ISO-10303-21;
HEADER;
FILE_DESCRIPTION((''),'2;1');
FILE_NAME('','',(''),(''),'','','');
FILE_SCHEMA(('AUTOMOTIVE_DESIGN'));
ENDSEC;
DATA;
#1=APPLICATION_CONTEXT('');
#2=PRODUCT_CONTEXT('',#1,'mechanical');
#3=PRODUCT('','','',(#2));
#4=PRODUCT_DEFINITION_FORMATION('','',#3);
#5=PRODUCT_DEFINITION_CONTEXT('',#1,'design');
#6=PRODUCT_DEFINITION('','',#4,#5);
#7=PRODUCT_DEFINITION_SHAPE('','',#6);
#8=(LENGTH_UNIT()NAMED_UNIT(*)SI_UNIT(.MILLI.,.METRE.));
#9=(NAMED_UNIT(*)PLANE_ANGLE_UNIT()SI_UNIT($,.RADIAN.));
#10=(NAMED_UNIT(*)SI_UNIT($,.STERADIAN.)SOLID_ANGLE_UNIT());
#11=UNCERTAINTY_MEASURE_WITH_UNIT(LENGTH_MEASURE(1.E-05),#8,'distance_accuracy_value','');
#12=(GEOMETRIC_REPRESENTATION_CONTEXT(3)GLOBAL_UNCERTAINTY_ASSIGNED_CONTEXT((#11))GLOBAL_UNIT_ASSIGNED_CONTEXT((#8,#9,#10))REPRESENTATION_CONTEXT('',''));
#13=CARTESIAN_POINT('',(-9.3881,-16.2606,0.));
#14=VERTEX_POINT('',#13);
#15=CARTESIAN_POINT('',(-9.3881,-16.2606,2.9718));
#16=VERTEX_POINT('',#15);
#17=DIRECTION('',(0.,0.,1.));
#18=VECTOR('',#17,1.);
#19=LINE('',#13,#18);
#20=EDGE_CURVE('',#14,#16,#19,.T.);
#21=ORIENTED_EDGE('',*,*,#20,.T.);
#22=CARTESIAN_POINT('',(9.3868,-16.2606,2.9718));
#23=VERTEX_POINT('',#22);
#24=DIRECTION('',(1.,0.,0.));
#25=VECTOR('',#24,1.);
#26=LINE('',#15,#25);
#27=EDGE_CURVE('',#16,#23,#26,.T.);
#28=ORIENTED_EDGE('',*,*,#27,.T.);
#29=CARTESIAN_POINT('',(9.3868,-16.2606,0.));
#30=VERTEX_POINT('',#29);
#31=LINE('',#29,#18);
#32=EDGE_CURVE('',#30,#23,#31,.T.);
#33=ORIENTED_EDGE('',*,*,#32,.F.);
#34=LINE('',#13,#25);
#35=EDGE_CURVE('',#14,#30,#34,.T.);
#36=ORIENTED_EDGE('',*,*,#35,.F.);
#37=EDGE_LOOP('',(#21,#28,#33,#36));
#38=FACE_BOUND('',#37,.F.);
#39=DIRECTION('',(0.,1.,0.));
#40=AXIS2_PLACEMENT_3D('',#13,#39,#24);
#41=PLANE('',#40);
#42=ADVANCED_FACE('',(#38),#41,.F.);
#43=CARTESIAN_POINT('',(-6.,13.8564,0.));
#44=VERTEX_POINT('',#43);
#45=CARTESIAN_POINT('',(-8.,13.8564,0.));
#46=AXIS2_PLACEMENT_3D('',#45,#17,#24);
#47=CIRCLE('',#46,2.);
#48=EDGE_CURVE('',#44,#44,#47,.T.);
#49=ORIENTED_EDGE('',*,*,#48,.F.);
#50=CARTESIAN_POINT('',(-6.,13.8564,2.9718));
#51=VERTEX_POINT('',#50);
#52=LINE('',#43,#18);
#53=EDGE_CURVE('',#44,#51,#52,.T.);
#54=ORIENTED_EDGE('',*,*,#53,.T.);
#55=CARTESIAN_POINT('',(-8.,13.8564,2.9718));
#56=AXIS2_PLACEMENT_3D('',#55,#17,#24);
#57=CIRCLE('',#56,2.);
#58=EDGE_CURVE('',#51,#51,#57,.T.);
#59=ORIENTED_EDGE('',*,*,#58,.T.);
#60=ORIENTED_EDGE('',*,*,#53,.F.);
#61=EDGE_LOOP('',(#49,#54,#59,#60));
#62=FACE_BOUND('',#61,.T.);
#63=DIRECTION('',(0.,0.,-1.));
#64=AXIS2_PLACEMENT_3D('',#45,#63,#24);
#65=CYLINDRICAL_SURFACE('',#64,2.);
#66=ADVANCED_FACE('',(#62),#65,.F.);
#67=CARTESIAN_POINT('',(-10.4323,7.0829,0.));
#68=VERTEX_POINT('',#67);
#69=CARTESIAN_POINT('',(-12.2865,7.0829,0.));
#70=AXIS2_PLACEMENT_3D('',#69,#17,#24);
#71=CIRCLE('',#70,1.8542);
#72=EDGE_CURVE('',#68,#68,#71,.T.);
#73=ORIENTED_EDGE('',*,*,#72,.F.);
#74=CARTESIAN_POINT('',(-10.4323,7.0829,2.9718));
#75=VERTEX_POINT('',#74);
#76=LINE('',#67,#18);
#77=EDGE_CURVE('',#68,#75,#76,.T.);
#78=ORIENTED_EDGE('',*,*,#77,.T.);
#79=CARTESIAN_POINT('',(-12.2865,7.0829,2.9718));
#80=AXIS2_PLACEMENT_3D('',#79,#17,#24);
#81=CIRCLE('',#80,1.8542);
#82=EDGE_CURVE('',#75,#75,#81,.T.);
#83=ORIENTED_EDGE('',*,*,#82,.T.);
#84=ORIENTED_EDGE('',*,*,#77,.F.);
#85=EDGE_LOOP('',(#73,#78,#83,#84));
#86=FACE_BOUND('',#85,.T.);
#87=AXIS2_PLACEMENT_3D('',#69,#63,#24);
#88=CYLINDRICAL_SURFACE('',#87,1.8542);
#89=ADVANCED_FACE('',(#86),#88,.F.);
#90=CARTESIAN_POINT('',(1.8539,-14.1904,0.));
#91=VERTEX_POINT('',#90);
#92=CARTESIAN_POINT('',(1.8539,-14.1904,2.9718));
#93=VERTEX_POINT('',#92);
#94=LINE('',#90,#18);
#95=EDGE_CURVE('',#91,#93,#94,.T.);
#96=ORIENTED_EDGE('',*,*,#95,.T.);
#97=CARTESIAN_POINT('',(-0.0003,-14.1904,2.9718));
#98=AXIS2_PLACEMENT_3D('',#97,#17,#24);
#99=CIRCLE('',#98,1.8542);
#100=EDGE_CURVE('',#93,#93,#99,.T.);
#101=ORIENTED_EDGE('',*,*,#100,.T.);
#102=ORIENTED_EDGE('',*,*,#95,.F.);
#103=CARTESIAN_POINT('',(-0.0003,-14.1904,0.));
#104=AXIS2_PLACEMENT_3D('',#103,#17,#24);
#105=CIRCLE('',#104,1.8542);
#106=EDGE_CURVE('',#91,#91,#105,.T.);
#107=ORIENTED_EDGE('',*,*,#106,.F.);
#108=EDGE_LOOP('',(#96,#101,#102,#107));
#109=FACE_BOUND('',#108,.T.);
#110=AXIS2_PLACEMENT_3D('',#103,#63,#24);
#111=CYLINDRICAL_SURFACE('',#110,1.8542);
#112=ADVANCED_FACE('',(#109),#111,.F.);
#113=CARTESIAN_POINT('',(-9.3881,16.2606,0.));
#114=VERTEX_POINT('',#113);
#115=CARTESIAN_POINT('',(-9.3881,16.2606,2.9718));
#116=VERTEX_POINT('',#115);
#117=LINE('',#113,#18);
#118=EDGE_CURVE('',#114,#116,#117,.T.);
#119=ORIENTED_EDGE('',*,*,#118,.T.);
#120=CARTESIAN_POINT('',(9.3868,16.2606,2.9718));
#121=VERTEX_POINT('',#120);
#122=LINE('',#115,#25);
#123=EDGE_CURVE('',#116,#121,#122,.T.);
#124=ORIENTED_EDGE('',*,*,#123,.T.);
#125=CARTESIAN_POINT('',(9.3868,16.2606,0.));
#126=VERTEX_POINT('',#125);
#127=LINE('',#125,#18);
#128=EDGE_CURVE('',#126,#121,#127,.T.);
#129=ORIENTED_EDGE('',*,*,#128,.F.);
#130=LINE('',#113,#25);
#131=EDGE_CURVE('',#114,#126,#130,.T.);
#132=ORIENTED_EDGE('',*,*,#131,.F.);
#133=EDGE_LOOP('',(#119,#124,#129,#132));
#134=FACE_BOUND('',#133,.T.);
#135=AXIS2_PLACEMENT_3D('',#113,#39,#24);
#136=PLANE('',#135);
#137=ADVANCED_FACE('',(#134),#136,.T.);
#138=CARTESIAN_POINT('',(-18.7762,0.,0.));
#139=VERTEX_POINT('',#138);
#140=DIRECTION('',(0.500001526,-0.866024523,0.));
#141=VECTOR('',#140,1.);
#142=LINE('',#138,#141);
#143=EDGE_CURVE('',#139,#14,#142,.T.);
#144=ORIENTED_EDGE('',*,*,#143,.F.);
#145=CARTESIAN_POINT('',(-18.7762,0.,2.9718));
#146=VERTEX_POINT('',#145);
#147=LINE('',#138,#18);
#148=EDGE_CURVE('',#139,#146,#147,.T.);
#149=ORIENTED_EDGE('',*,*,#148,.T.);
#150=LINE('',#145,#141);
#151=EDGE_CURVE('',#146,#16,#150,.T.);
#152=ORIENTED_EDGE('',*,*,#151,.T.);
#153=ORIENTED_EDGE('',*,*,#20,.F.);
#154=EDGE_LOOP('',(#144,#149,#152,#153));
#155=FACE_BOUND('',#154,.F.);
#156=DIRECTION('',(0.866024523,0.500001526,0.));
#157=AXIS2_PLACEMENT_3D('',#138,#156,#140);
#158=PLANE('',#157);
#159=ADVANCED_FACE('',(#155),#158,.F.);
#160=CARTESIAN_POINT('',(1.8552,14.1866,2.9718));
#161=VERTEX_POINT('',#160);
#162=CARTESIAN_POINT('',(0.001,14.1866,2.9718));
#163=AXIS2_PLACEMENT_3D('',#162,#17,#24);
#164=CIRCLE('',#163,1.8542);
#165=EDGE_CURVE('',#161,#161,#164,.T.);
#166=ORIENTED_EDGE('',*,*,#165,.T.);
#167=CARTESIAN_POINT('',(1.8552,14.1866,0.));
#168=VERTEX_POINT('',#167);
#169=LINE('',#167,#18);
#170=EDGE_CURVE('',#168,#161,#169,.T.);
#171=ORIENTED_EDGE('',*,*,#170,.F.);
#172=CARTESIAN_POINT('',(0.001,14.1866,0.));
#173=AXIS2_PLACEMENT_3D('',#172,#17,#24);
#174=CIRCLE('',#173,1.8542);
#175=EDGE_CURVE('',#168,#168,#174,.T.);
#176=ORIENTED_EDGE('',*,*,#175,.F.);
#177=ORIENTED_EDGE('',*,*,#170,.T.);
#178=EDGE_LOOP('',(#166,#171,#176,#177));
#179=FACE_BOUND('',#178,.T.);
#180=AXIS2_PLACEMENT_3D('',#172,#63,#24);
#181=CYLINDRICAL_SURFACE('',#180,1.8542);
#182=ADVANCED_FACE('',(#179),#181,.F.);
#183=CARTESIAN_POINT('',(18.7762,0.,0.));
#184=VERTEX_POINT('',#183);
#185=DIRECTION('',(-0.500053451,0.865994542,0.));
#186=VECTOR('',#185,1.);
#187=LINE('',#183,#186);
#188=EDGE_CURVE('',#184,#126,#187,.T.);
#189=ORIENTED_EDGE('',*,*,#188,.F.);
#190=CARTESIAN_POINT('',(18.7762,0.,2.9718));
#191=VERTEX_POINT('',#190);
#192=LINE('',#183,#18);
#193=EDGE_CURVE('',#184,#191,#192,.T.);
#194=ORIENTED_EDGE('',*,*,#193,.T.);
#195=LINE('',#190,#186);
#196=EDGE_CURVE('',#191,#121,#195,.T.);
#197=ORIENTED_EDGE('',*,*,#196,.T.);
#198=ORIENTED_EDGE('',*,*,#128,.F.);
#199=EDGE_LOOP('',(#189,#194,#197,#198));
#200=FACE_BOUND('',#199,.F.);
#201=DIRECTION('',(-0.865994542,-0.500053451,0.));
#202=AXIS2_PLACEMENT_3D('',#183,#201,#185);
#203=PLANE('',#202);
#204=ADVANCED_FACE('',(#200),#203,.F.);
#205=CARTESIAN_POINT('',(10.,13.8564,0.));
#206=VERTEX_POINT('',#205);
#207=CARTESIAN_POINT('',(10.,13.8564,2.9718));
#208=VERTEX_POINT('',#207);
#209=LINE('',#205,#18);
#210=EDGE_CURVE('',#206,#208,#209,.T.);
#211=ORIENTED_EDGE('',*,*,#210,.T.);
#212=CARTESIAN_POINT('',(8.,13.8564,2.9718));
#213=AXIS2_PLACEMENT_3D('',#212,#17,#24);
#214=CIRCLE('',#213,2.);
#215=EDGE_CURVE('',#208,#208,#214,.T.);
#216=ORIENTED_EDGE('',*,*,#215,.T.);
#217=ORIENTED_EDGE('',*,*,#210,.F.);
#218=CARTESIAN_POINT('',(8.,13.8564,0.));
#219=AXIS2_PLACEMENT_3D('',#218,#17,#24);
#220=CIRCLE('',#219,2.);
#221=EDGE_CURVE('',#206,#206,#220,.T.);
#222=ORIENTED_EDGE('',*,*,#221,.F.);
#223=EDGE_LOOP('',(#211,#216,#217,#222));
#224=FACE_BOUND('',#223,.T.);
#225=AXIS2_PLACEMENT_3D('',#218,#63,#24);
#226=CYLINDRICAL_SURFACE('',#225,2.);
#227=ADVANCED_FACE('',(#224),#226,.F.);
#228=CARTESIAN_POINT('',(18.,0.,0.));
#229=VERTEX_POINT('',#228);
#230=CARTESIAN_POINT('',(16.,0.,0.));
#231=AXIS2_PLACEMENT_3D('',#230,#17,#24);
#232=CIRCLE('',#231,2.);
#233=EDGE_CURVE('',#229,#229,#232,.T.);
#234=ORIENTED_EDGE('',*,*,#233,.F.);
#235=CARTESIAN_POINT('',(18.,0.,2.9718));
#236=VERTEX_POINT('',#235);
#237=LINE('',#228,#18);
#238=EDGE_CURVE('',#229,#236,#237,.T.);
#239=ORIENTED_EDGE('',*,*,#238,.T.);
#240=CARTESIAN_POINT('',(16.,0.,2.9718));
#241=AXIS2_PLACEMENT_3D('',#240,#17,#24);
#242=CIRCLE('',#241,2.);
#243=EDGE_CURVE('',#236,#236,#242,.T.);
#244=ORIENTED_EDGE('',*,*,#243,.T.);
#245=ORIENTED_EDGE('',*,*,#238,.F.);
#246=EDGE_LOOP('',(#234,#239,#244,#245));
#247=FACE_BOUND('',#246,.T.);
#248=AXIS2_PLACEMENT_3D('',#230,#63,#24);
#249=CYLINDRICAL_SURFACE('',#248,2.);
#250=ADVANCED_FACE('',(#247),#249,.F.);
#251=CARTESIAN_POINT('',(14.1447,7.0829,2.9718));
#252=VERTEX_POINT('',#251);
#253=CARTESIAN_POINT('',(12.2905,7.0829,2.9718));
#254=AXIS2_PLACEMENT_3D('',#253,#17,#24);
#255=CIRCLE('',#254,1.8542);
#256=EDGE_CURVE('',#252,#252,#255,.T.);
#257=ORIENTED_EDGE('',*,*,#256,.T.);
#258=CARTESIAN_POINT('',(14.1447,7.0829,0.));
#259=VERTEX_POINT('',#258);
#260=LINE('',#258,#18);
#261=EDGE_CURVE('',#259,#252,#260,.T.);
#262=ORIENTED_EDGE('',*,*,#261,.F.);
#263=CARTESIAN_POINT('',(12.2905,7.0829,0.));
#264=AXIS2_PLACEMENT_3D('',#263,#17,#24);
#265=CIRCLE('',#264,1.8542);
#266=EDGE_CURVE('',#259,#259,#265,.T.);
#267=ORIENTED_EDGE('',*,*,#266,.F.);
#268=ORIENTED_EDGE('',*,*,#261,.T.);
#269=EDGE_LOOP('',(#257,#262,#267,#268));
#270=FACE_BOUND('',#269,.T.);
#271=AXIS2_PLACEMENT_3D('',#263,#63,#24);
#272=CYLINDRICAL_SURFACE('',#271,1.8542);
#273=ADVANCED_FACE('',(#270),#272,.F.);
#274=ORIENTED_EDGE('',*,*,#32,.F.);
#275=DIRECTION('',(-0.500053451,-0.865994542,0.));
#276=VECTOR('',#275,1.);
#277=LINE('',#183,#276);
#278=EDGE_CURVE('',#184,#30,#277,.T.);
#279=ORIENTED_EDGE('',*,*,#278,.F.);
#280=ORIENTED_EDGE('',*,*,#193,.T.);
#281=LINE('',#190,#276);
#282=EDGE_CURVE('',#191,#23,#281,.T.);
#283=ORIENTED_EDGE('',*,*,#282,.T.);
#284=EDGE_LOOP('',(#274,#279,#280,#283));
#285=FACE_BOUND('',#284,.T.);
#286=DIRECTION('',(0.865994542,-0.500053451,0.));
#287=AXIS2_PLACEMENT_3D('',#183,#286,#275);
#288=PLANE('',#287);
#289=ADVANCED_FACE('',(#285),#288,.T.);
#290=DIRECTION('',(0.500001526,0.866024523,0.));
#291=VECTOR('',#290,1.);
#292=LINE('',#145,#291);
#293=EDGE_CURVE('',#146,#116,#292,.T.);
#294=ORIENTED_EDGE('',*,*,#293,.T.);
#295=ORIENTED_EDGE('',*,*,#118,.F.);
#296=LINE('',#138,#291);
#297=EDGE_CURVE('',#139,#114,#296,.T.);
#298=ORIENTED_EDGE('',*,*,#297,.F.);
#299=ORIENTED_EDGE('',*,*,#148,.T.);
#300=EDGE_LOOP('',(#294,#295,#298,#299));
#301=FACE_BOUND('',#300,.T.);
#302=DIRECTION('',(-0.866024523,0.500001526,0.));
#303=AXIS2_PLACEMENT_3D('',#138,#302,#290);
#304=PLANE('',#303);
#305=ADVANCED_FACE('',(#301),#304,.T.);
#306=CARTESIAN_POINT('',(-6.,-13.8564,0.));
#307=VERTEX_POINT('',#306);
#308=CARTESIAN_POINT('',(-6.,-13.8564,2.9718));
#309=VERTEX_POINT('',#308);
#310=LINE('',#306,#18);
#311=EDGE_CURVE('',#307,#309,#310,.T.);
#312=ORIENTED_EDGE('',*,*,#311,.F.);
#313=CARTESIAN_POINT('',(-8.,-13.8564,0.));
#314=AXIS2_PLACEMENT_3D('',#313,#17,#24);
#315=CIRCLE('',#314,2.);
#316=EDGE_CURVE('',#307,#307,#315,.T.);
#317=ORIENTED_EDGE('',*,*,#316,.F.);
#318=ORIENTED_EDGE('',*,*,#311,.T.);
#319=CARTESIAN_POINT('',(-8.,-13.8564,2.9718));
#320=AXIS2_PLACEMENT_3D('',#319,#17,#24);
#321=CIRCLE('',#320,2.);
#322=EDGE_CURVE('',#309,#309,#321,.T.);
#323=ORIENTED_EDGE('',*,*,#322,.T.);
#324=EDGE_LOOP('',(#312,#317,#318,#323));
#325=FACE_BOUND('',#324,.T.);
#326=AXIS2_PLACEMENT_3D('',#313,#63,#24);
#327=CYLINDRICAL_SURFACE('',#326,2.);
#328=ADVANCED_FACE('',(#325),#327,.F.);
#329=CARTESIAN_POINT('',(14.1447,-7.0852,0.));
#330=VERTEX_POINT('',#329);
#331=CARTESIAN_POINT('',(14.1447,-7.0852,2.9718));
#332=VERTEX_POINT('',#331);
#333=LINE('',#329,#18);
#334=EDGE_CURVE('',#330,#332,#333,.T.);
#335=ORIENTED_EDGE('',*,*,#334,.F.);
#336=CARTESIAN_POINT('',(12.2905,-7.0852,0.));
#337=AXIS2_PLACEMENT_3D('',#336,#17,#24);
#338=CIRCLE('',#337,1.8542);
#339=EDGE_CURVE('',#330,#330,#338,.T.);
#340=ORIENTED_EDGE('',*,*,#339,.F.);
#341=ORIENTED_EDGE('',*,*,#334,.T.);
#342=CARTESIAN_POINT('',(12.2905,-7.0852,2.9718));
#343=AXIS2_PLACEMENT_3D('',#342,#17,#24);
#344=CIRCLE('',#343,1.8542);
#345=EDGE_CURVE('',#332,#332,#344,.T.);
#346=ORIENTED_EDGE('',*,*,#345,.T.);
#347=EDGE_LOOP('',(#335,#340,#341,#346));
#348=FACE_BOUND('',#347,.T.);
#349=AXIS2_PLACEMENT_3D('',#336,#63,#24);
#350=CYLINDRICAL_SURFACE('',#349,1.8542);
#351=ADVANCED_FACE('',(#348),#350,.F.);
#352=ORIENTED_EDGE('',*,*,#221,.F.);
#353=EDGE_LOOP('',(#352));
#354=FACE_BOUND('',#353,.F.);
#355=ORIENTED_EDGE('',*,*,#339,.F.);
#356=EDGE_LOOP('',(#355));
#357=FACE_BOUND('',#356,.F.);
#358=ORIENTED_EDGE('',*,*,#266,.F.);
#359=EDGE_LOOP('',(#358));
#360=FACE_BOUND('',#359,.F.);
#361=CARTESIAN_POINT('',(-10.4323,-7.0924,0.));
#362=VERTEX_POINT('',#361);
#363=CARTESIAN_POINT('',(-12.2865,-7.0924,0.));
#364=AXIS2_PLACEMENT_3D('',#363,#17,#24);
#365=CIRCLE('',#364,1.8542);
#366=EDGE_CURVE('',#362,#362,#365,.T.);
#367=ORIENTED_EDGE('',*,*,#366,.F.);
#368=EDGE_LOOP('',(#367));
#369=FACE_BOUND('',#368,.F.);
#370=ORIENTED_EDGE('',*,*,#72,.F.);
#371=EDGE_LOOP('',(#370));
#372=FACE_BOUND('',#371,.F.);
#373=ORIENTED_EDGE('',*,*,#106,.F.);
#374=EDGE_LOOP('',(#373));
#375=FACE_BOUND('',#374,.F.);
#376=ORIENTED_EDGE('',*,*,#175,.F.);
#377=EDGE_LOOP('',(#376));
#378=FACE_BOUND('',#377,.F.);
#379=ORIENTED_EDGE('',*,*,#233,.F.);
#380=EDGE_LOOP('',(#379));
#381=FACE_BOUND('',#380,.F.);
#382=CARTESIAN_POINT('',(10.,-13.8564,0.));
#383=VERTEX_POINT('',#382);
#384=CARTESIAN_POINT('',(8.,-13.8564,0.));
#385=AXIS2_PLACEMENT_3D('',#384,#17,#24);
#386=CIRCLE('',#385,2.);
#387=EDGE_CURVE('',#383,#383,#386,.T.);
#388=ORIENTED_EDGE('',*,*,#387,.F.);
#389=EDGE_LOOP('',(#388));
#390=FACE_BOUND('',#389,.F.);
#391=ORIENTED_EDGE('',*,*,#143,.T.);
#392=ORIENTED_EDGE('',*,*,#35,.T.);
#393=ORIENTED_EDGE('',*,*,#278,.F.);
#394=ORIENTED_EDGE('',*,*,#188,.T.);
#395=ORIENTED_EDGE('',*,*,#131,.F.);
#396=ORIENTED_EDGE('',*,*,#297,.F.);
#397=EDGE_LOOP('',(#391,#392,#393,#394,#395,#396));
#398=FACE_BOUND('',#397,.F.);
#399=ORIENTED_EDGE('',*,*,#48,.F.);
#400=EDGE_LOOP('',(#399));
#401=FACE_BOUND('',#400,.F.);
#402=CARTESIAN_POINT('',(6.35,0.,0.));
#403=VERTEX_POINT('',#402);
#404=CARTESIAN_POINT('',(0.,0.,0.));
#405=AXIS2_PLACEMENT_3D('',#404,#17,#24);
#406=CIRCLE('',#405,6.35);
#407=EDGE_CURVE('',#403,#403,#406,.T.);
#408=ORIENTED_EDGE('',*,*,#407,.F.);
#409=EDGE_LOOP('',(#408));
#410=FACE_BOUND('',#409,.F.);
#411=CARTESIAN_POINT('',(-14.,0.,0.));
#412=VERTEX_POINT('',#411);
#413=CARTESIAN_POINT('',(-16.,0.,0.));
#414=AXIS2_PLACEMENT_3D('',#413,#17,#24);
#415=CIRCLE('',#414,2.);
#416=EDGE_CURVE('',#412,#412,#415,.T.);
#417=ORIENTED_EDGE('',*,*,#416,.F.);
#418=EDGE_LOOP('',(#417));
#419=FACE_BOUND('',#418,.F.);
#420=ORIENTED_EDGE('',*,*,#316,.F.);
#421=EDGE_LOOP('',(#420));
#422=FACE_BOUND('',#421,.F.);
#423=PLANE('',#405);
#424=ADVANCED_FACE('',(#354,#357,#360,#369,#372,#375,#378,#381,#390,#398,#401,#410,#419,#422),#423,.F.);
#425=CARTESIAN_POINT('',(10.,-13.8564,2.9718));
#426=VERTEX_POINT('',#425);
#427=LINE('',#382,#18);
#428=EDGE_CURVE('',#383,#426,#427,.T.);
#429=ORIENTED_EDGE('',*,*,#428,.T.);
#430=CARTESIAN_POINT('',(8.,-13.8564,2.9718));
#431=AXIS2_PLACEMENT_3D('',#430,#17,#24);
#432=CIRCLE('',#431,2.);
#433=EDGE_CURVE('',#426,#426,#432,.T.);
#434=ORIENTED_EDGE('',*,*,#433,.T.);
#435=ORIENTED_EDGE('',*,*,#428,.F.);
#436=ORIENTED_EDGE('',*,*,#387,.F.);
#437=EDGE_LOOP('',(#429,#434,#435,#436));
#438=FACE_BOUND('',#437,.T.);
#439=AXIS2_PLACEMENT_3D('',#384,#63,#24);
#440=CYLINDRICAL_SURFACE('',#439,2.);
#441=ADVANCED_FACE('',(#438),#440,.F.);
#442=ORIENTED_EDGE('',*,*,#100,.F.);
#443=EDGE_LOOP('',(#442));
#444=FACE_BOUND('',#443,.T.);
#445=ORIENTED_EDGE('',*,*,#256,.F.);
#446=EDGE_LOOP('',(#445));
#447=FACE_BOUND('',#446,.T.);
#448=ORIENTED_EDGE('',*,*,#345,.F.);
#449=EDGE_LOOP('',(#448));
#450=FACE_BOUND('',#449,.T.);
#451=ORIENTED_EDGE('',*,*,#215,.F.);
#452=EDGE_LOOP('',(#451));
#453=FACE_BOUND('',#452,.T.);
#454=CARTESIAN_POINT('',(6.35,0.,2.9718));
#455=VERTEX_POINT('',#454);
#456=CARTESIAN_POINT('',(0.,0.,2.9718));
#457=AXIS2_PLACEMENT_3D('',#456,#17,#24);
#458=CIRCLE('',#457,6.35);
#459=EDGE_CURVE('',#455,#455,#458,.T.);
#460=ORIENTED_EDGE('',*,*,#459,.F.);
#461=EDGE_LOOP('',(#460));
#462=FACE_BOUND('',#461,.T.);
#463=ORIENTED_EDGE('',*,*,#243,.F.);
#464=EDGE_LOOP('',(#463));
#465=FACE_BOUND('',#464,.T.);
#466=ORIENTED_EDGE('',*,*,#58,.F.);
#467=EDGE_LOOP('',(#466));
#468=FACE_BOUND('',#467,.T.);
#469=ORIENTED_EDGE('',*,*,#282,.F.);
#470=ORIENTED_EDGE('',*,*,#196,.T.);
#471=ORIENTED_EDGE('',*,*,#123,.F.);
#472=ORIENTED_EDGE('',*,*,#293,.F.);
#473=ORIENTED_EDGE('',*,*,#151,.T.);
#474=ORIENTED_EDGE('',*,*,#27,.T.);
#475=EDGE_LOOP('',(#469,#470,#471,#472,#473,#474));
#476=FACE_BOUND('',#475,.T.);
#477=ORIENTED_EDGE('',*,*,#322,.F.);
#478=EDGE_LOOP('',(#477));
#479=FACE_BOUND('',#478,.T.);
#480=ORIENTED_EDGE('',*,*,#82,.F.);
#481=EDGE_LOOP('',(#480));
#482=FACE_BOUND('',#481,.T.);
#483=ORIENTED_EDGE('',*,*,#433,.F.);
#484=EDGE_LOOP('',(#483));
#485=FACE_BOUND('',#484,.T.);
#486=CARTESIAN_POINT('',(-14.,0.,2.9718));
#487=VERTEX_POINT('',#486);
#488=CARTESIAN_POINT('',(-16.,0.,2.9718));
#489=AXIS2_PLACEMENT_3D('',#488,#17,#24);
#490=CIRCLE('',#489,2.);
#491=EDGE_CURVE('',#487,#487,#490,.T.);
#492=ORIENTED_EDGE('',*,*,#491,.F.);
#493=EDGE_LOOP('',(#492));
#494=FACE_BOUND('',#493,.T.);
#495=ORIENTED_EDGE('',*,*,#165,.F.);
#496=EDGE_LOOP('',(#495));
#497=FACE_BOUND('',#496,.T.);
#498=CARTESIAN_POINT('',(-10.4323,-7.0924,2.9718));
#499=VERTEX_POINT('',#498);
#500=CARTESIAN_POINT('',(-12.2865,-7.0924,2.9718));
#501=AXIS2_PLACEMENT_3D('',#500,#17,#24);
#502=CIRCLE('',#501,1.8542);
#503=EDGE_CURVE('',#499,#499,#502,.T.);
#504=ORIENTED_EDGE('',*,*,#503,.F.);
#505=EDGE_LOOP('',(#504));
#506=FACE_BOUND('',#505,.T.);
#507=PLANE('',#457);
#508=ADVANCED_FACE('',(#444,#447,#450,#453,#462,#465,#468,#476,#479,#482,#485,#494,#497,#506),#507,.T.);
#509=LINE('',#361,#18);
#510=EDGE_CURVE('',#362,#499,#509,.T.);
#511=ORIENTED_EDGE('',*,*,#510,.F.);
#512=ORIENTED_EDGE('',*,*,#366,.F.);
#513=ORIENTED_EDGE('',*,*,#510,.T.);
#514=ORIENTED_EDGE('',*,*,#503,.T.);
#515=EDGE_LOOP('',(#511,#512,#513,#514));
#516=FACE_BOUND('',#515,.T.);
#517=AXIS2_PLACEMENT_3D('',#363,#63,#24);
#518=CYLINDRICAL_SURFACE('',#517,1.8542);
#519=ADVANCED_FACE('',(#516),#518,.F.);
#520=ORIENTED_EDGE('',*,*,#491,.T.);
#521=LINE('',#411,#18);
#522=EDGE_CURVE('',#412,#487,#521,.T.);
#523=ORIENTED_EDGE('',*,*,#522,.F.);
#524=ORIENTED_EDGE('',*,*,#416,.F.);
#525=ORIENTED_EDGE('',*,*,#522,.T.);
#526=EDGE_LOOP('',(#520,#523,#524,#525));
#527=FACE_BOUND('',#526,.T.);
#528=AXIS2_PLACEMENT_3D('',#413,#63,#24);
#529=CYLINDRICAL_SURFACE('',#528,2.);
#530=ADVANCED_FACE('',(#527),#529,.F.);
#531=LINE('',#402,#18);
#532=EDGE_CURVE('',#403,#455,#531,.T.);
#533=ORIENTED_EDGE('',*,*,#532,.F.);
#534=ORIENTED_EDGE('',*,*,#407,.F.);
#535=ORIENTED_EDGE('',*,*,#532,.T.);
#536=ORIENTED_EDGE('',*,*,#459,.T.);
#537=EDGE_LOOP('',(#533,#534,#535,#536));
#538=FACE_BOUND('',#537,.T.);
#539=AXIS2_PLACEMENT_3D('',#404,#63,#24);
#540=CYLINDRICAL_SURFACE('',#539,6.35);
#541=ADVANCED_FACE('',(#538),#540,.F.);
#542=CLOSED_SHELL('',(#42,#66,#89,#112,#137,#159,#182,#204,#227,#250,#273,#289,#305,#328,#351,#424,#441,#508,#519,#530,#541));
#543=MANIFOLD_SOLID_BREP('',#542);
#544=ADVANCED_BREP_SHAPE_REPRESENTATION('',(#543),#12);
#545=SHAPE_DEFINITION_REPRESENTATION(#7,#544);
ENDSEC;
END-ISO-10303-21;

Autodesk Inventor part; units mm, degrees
ref_plane "YZ Plane" through (0, 0, 0) normal (1, 0, 0) x (0, 1, 0)
ref_plane "XZ Plane" through (0, 0, 0) normal (0, 1, 0) x (-1, 0, 0)
ref_plane "XY Plane" through (0, 0, 0) normal (0, 0, 1) x (1, 0, 0)
sketch "Sketch1" plane through (0, 0, 0) normal (0, 0, 1) x (1, 0, 0)
  line L0 (-9.3881, 16.2606) -> (9.3868, 16.2606)
  line L1 (18.7092, 0.25) -> (18.7092, 0.25)
  line L2 (18.7762, 0) -> (9.3868, 16.2606)
  line L3 (18.7762, 0) -> (9.3868, -16.2606)
  line L4 (-9.3881, -16.2606) -> (9.3868, -16.2606)
  line L5 (-18.7762, 0) -> (-9.3881, -16.2606)
  line L6 (-18.7762, 0) -> (-9.3881, 16.2606)
  circle A0 centre (16, 0) radius 2
  circle A1 centre (8, 13.8564) radius 2
  circle A2 centre (-8, 13.8564) radius 2
  circle A3 centre (-16, 0) radius 2
  circle A4 centre (8, -13.8564) radius 2
  circle A5 centre (-8, -13.8564) radius 2
  circle A6 centre (0, 0) radius 6.35
  circle A7 centre (-0.0003, -14.1904) radius 1.8542
  circle A8 centre (0.001, 14.1866) radius 1.8542
  circle A9 centre (12.2905, 7.0829) radius 1.8542
  circle A10 centre (12.2905, -7.0852) radius 1.8542
  circle A11 centre (-12.2865, -7.0924) radius 1.8542
  circle A12 centre (-12.2865, 7.0829) radius 1.8542
  dimension "d3" = 12.7
  dimension "d4" = 3.7084
  dimension "d5" = 3.7084
  dimension "d6" = 3.7084
  dimension "d7" = 3.7084
  dimension "d8" = 3.7084
  dimension "d9" = 3.7084
extrude "Extrusion1" add sketch "Sketch1" along normal blind 2.9718
properties part number "90d Spacer"
